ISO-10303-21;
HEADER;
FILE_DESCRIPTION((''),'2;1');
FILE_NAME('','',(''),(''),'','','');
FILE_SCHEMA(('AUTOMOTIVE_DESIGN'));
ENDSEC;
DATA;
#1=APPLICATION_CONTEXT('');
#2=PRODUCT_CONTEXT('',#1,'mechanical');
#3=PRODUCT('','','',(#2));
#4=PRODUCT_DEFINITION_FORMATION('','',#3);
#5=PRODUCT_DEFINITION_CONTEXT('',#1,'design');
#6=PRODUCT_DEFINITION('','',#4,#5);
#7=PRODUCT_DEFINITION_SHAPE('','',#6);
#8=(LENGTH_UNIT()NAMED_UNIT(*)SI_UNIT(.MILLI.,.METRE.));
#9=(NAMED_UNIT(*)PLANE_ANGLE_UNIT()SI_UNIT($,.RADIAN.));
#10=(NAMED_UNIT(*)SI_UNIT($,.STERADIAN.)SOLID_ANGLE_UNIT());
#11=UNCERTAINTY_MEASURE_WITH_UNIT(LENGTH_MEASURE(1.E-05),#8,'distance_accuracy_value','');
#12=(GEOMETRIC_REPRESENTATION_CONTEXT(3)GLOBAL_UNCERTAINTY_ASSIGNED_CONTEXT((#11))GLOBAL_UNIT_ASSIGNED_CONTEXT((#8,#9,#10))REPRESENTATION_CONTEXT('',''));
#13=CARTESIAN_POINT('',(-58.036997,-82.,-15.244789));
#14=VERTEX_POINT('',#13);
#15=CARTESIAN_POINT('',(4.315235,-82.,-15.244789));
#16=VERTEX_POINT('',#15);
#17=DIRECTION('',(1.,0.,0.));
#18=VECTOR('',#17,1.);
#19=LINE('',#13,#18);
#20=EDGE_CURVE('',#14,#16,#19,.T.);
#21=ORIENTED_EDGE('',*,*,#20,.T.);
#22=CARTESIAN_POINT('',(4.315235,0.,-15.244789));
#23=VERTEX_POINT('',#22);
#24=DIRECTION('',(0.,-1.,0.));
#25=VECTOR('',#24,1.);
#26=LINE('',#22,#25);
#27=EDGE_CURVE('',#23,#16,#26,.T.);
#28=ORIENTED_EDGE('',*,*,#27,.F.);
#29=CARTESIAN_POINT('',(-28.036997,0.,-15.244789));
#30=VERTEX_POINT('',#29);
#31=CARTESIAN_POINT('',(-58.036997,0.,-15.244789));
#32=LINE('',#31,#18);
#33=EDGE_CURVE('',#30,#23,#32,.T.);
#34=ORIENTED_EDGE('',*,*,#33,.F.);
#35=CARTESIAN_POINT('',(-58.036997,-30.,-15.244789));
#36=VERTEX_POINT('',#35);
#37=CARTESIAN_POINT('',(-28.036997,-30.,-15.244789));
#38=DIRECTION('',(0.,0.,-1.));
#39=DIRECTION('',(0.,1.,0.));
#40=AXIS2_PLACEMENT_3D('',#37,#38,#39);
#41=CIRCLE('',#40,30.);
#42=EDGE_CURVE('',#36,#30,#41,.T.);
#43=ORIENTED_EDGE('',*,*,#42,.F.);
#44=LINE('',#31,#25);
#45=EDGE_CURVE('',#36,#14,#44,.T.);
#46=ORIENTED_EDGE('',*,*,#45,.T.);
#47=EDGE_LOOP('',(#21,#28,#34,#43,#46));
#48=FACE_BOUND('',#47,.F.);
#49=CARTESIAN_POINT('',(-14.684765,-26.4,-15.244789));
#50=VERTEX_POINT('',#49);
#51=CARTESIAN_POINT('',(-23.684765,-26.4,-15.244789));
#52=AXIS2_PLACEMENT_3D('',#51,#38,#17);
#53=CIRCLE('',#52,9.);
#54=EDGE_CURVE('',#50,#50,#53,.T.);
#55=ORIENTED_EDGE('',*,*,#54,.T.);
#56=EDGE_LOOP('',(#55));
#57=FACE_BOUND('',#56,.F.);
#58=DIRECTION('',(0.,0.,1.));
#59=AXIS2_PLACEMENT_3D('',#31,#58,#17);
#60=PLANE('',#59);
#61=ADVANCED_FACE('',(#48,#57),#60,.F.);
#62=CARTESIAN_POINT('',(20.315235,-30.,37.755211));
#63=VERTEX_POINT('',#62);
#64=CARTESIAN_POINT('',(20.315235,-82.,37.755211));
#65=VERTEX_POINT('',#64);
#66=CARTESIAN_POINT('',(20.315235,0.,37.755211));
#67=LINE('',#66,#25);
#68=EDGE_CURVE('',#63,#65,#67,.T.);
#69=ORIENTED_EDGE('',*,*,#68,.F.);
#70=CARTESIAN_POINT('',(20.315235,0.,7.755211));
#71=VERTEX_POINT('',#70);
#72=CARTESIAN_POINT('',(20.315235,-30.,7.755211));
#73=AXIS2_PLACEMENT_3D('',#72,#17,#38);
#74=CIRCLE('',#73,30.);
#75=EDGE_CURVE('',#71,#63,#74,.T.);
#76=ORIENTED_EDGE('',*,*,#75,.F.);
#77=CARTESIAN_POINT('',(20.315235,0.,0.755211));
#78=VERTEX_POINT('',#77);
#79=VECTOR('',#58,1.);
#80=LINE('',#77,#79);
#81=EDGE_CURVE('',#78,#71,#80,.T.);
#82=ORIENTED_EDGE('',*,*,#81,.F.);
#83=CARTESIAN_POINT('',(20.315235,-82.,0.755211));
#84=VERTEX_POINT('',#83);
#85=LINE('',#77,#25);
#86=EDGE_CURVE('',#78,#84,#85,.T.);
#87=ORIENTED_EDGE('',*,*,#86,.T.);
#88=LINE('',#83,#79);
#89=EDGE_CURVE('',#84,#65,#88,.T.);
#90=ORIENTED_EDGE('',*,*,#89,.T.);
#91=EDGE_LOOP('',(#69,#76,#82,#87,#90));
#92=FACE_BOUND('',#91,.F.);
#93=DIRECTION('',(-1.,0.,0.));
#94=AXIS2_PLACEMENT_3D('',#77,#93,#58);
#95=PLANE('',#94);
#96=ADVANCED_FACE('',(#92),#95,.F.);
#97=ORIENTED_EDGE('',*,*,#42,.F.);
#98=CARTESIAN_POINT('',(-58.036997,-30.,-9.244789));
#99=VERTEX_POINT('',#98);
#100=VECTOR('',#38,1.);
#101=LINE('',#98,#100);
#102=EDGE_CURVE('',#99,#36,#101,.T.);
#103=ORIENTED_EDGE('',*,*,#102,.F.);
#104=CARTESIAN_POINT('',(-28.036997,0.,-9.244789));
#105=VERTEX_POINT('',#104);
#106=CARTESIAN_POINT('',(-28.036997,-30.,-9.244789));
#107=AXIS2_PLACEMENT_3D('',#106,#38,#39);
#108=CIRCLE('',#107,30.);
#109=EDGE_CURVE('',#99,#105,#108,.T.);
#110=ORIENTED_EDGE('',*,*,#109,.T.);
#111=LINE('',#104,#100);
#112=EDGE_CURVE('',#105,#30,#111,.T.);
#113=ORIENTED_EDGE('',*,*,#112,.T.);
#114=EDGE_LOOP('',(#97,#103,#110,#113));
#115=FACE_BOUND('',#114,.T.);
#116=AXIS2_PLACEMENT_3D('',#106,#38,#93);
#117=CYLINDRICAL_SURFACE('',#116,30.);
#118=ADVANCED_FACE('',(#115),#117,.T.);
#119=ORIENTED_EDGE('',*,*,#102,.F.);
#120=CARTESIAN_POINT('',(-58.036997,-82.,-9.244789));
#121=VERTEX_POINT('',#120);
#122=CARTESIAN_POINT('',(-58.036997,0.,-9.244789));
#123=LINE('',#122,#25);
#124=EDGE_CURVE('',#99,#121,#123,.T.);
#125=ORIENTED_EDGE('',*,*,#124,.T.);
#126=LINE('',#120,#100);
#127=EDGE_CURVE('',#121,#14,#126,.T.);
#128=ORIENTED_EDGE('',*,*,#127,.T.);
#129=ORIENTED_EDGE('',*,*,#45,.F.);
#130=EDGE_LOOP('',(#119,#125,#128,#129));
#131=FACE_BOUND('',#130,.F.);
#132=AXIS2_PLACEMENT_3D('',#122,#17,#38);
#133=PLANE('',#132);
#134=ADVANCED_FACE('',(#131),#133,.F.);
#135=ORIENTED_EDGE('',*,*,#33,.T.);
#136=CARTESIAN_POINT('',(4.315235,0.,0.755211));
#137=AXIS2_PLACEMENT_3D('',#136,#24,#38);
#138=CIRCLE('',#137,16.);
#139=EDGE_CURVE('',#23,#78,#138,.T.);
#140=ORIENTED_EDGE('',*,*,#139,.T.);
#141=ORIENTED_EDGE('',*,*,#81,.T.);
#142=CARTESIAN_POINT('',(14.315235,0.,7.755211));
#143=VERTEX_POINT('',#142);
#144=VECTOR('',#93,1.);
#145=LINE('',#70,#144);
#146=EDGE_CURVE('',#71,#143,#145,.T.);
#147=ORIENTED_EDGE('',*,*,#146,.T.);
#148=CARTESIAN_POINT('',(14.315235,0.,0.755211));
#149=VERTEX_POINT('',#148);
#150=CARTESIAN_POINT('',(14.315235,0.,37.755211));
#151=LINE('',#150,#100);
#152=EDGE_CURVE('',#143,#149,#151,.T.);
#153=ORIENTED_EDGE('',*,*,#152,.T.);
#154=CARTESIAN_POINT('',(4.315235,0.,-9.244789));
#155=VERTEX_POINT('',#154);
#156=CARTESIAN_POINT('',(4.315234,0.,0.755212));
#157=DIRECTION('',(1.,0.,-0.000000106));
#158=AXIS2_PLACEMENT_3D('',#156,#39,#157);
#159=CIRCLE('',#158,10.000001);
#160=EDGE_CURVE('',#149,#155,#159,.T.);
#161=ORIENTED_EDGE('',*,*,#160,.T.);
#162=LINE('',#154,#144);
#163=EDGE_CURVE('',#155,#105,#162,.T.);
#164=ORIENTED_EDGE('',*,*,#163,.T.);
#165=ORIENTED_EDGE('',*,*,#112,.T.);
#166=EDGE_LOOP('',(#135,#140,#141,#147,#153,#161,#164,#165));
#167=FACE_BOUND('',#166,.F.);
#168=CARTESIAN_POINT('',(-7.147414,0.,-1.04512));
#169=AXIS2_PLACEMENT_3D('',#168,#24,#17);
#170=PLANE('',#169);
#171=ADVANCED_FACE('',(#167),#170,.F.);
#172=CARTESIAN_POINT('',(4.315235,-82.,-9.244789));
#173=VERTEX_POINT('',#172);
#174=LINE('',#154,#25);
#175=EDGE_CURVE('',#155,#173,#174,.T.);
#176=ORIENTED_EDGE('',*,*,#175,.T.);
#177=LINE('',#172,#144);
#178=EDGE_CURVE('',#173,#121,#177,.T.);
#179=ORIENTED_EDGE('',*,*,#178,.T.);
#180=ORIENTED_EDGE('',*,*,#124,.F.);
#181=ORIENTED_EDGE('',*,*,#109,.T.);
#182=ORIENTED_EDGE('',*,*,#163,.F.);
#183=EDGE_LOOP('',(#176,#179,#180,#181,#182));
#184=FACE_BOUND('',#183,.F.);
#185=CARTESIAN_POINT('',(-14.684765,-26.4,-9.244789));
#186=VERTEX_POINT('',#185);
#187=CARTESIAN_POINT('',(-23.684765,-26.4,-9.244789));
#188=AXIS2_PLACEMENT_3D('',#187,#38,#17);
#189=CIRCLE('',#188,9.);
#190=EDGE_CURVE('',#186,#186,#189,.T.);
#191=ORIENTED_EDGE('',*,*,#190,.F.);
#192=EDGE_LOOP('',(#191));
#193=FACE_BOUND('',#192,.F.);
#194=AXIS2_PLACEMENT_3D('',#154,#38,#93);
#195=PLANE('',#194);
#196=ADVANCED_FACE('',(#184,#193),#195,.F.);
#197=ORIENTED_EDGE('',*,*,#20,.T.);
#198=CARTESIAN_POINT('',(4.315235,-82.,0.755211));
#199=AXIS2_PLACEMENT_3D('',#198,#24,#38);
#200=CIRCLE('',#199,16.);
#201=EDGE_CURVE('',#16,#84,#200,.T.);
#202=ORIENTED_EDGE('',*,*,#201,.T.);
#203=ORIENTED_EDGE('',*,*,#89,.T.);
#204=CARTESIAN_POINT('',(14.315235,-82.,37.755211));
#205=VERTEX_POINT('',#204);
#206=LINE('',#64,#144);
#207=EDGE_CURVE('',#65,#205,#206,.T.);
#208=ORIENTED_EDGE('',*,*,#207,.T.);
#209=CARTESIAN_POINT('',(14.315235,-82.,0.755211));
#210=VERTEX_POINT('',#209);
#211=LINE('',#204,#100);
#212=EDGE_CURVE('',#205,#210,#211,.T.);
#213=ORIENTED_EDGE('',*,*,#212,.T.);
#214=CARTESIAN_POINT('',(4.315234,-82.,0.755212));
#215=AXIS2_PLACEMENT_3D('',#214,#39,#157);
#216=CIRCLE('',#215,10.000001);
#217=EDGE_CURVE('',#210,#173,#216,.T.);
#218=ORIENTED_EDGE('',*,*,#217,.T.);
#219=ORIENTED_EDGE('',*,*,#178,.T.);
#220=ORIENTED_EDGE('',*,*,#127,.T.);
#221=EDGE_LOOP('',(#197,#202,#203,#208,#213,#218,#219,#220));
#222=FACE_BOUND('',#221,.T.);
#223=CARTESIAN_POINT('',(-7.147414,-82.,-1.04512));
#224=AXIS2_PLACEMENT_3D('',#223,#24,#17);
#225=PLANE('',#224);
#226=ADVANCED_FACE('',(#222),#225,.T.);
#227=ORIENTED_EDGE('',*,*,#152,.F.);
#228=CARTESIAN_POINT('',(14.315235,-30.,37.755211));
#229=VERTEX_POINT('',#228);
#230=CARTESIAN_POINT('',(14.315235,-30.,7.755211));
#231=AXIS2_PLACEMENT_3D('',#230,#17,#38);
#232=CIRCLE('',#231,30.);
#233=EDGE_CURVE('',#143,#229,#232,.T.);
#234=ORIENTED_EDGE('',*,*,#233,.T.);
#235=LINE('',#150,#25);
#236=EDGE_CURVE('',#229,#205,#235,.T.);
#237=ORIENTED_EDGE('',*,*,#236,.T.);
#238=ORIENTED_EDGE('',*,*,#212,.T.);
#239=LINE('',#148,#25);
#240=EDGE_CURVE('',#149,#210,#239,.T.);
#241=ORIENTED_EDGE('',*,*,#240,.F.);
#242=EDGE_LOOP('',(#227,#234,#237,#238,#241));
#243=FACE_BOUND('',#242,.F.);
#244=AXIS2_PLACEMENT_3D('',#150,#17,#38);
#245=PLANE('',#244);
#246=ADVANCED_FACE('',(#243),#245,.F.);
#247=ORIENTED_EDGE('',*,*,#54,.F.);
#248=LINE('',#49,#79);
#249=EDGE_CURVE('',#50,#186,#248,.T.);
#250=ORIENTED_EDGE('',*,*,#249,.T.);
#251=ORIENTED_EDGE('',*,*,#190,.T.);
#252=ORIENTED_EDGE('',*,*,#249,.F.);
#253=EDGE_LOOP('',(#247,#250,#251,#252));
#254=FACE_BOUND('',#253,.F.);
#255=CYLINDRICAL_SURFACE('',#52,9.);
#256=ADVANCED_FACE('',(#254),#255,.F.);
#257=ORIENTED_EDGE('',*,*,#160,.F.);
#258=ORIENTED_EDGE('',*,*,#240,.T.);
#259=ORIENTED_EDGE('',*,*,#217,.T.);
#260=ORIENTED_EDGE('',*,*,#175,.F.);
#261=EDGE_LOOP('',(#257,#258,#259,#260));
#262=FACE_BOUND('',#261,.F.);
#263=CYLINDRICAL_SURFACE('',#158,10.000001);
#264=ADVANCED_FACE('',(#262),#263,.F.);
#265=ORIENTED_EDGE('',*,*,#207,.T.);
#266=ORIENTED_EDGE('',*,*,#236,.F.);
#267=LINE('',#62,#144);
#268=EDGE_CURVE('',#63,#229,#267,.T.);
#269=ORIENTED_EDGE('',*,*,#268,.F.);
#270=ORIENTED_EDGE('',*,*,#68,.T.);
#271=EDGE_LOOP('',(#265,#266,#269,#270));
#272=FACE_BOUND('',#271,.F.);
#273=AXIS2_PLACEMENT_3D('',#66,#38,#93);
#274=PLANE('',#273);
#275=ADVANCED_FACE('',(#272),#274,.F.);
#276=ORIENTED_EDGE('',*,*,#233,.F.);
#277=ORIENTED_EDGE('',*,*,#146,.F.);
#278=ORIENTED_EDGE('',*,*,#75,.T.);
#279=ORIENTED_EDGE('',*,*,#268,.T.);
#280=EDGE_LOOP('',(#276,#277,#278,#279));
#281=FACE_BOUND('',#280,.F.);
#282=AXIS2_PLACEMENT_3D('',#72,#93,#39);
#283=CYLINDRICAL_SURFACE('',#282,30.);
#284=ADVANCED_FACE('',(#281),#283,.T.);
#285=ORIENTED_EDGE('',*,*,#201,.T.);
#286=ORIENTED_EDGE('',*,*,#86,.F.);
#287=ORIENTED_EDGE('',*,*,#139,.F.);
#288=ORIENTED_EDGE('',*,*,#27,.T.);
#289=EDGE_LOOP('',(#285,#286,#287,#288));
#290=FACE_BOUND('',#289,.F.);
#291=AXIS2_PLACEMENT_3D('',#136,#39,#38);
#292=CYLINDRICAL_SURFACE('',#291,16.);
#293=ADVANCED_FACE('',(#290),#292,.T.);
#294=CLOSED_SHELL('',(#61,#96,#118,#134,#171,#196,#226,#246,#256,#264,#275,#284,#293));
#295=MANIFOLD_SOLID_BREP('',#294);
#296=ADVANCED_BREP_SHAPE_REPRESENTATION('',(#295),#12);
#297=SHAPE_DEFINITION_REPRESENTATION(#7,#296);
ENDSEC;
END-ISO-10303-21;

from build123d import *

# Parameters (mm, degrees)
F1_DEPTH = 82
F2_R     = 9
F3_DEPTH = 25
F4_R     = 30


with BuildPart() as f1:
    # F0 (on Front) → F1 (new body)
    with BuildSketch(Plane.XZ):
        with BuildLine():
            Line((-58.036997, -9.244789), (-58.036997, -15.244789))
            Line((-58.036997, -15.244789), (4.315235, -15.244789))
            ThreePointArc((4.315235, -15.244789), (15.628944, -10.558497), (20.315235, 0.755211))
            Line((20.315235, 0.755211), (20.315235, 37.755211))
            Line((20.315235, 37.755211), (14.315235, 37.755211))
            Line((14.315235, 37.755211), (14.315235, 0.755211))
            ThreePointArc((14.315235, 0.755211), (11.386303, -6.315856), (4.315235, -9.244789))
            Line((4.315235, -9.244789), (-58.036997, -9.244789))
        make_face()
    extrude(amount=F1_DEPTH)

    # F2 (on face) → F3 (cut)
    with BuildSketch(Plane(origin=(0, 0, -15.244789), x_dir=(1, 0, 0), z_dir=(0, 0, -1))):
        with Locations((-23.684765, 26.4)):
            Circle(F2_R)
    extrude(amount=-F3_DEPTH, mode=Mode.SUBTRACT)

    # F4
    f4_edges = [f1.edges().sort_by_distance(p)[0] for p in [
        (-58.036997, 0, -12.244789),
        (17.315235, 0, 37.755211),
    ]]
    fillet(f4_edges, radius=F4_R)


solid = f1.part
